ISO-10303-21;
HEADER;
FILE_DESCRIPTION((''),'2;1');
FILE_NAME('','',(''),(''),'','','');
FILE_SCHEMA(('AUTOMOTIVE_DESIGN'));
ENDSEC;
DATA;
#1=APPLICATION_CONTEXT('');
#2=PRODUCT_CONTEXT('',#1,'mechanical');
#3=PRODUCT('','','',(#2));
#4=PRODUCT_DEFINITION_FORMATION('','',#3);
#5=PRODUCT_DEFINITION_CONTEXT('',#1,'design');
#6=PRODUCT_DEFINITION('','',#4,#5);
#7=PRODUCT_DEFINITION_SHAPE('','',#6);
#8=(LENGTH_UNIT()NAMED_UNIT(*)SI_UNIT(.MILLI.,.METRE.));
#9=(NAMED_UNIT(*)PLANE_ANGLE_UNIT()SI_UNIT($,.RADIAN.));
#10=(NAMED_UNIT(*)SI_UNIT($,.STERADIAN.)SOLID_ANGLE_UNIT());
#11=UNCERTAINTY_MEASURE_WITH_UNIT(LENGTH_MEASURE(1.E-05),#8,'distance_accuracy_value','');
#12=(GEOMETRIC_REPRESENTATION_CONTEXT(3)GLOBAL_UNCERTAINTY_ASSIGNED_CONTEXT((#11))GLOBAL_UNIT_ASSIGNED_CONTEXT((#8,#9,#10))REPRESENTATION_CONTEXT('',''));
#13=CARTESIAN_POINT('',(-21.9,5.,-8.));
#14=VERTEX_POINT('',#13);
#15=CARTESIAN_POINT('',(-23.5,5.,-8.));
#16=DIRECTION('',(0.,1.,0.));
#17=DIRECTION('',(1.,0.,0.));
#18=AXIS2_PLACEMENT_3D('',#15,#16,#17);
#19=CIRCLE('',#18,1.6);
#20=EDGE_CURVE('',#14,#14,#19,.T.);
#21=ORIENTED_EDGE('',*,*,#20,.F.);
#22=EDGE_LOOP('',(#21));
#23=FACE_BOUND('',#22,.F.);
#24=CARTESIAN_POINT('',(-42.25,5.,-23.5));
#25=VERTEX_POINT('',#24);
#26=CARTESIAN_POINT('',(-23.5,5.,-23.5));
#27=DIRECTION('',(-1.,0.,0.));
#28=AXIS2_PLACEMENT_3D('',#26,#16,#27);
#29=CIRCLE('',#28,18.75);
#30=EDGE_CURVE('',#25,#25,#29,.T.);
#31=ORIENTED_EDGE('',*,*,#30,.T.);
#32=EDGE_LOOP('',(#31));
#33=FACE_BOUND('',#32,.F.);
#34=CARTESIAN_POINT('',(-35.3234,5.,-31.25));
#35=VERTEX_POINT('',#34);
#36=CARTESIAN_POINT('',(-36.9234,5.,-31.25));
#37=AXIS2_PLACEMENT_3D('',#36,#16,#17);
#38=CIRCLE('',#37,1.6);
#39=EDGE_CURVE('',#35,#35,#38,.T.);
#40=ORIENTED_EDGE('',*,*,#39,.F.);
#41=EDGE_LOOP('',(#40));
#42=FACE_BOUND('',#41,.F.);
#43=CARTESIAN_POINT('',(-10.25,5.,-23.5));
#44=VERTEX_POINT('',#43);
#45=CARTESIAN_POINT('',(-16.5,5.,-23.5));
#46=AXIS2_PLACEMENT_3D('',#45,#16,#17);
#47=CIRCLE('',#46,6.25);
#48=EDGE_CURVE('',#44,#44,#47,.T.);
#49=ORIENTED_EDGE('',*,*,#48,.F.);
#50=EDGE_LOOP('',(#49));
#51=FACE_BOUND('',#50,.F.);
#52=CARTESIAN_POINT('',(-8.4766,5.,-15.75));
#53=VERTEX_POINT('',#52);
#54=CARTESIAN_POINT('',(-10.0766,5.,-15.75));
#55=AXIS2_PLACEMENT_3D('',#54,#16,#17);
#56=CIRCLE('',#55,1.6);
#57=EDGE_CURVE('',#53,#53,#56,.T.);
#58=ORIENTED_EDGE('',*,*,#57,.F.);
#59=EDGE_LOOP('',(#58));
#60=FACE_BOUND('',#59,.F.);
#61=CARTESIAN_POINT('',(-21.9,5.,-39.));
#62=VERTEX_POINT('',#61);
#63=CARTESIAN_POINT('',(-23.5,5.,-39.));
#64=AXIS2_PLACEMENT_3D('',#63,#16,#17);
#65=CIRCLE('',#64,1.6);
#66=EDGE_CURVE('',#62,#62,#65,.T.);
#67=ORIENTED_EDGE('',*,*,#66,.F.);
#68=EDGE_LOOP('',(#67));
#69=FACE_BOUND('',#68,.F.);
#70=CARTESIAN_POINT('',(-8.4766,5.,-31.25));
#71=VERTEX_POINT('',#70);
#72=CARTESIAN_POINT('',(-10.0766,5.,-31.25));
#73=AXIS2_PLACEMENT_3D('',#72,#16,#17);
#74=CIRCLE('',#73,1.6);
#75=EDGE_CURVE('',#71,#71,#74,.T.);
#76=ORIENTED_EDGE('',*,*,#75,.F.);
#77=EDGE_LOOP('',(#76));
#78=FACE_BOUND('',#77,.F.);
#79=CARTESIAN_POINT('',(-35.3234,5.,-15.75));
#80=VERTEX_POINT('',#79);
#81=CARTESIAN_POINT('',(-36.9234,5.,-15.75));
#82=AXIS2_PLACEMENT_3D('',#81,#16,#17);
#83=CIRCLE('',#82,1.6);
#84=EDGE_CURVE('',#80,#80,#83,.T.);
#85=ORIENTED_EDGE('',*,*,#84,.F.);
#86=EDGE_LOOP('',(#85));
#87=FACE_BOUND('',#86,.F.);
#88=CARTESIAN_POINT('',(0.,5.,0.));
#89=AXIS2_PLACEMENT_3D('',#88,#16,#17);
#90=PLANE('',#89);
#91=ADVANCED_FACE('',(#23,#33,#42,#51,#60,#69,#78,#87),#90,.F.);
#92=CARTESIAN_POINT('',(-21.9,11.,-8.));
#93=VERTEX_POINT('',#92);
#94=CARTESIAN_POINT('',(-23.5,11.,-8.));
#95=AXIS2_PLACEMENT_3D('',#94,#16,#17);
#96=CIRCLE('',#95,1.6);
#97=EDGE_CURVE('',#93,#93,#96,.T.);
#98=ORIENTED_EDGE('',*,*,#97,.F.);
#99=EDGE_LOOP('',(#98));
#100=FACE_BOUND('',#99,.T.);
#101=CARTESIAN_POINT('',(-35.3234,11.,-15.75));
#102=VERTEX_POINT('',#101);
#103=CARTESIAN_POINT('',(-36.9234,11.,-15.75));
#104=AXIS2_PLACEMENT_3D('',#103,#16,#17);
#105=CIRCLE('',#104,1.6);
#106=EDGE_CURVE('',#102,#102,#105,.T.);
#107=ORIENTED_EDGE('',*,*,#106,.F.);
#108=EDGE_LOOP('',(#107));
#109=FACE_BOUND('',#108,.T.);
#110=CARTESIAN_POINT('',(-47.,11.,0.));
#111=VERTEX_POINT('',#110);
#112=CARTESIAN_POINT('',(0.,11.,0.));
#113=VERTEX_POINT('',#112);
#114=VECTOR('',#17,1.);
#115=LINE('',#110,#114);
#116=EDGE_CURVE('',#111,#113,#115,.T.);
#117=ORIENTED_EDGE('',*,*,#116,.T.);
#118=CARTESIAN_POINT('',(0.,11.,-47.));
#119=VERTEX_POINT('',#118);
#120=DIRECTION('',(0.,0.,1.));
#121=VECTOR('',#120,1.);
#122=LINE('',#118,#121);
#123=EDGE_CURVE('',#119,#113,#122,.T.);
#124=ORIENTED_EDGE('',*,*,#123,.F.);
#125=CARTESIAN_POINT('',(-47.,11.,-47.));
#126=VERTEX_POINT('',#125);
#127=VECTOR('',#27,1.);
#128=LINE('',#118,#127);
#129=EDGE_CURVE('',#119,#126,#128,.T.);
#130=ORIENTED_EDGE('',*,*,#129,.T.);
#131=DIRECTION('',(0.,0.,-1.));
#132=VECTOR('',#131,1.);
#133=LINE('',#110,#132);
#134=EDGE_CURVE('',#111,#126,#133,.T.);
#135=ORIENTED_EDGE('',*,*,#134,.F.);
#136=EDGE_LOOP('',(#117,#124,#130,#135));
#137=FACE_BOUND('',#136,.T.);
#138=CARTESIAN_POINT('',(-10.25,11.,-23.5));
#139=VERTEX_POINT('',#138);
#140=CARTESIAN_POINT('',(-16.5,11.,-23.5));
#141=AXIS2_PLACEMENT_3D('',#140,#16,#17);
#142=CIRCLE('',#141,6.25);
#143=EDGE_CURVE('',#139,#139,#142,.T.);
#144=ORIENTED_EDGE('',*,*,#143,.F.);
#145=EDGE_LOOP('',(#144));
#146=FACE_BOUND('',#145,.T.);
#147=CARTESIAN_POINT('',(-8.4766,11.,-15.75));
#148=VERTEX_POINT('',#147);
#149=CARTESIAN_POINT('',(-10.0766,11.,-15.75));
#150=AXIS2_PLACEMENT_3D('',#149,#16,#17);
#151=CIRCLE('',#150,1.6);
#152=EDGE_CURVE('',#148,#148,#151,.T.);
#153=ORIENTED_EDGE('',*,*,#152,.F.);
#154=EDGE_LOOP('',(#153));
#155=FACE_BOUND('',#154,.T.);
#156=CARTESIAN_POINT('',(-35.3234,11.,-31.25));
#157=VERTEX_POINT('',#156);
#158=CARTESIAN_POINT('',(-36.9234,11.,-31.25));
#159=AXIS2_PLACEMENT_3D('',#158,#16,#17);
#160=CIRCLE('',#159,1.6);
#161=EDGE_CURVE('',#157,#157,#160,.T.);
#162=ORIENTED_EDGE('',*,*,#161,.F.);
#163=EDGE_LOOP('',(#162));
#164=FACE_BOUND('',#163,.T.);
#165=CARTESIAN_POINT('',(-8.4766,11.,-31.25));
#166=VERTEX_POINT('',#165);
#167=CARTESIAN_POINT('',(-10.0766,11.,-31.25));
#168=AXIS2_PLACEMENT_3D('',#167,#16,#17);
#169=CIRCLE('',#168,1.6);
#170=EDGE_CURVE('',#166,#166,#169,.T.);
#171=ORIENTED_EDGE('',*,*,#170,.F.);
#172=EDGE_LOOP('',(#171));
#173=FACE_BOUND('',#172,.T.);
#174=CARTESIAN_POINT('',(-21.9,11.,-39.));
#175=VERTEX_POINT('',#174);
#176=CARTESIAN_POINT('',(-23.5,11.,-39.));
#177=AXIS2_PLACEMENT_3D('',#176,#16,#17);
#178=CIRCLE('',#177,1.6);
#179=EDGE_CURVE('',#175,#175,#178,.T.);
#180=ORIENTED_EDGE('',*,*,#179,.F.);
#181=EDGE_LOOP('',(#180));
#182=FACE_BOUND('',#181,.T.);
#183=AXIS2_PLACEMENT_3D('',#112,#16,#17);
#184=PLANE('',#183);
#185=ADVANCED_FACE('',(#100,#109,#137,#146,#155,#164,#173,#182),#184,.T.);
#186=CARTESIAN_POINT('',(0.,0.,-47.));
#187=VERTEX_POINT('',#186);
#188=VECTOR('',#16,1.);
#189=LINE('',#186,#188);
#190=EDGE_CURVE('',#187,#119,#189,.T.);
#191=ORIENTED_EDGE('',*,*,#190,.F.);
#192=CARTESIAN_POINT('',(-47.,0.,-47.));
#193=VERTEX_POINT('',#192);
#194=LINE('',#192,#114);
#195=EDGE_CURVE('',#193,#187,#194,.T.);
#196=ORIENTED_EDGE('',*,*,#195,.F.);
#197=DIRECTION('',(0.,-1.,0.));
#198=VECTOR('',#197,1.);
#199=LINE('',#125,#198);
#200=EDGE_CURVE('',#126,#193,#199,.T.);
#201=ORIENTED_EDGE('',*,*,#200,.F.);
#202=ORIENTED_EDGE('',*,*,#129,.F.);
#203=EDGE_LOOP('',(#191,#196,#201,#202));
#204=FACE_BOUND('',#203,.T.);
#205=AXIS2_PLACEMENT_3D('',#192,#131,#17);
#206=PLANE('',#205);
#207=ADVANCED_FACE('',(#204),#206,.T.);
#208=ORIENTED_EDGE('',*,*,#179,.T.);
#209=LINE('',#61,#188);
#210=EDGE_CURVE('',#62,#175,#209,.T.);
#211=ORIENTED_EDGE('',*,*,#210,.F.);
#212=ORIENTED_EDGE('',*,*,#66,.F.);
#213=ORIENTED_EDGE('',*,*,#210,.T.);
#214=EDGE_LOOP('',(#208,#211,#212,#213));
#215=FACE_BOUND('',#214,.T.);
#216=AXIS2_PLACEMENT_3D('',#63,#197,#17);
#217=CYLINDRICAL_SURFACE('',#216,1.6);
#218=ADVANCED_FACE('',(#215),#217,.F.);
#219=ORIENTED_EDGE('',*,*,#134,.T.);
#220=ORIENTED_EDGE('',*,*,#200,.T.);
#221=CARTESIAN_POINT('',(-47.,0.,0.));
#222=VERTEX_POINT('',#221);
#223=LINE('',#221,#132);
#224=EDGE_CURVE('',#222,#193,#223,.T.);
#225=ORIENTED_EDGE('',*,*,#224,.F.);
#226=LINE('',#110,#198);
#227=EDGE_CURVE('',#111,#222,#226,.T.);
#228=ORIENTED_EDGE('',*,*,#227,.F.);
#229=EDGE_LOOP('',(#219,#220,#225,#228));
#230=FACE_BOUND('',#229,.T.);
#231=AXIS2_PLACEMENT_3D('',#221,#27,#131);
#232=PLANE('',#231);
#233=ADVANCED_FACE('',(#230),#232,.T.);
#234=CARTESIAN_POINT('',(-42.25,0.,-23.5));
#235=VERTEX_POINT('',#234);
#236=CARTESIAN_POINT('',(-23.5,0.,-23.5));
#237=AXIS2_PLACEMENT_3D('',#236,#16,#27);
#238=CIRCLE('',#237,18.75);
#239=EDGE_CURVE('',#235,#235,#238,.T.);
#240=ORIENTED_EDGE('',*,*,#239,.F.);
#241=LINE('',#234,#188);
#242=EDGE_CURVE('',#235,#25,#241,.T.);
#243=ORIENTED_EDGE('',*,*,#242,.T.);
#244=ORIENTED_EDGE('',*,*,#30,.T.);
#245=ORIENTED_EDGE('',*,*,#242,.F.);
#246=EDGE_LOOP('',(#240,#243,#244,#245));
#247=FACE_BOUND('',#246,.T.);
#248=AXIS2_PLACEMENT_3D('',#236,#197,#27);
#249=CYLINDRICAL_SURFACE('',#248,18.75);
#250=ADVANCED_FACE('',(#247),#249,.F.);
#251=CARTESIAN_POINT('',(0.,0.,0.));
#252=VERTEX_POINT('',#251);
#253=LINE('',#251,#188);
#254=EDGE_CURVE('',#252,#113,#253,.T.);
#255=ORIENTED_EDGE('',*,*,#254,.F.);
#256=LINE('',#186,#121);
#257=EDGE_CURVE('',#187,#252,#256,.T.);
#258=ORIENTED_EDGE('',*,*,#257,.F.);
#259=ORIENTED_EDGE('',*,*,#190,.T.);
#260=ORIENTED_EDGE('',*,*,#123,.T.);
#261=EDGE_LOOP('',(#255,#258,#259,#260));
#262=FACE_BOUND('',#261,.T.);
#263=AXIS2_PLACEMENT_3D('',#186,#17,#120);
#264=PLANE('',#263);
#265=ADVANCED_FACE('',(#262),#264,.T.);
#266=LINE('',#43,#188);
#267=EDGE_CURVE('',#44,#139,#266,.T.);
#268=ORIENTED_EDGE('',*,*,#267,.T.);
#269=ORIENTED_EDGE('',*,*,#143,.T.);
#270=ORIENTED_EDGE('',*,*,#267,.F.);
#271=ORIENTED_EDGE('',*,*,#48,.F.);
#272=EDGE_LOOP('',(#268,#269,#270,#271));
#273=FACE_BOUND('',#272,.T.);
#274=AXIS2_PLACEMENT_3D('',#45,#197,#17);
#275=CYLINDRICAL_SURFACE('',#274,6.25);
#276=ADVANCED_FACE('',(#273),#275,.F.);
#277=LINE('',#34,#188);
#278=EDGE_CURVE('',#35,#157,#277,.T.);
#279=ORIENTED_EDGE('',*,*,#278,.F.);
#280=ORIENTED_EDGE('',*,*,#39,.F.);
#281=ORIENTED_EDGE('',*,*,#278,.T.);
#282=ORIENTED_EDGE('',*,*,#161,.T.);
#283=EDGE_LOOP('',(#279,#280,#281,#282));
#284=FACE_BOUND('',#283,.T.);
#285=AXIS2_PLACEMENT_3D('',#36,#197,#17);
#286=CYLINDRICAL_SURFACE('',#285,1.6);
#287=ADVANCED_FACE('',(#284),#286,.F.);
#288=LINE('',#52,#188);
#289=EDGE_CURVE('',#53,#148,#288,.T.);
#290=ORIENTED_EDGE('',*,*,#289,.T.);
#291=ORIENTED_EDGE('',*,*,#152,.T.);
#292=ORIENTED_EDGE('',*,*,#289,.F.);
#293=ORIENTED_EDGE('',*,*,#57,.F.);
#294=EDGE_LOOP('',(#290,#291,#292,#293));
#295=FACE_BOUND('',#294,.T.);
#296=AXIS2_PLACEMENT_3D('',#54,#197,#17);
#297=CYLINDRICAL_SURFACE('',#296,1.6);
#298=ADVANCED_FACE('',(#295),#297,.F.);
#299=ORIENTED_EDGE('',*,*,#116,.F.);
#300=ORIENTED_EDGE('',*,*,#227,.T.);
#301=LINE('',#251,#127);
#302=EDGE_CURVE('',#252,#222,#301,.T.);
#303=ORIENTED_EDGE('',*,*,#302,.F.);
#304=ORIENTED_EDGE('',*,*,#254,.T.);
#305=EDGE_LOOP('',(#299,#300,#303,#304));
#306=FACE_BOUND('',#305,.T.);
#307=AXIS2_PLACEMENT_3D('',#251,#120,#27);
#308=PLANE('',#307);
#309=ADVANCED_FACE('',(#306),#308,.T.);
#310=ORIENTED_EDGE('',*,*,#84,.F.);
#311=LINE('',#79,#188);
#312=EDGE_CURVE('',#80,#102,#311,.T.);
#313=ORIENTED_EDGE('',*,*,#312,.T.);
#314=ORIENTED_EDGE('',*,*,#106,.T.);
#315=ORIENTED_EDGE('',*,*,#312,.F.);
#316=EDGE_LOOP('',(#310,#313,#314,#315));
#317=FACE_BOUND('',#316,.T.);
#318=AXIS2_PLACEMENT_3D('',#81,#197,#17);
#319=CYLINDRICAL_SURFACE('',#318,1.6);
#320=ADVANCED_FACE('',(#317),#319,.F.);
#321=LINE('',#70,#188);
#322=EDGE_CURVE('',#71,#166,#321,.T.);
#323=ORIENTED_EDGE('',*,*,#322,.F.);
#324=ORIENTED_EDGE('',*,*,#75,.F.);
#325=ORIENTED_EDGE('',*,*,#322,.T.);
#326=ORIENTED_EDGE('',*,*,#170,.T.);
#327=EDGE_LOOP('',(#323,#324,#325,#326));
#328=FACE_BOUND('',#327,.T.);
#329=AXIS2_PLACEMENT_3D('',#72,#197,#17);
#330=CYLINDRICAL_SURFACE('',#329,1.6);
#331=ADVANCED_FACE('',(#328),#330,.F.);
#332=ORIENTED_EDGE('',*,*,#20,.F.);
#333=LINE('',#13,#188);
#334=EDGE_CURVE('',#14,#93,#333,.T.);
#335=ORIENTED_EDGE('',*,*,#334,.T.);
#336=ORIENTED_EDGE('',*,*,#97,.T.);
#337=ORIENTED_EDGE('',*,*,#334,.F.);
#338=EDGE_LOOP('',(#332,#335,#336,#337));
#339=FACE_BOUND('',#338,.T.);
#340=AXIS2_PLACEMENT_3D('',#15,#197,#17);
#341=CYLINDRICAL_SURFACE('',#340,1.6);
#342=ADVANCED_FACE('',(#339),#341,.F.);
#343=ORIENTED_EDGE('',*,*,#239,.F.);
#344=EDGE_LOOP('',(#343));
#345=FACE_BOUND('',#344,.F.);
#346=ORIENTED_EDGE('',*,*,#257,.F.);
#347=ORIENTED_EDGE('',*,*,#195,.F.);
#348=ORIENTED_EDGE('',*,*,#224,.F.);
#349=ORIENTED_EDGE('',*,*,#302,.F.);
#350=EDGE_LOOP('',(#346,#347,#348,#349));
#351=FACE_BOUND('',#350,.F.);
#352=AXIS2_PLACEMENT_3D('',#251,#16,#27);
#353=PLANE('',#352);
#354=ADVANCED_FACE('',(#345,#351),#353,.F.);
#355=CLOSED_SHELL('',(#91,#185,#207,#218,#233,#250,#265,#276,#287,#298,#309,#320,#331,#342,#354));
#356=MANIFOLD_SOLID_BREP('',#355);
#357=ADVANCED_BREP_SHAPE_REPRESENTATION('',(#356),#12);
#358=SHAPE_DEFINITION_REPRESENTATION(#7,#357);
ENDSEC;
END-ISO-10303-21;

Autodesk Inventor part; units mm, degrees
ref_plane "YZ Plane" through (0, 0, 0) normal (1, 0, 0) x (0, 1, 0)
ref_plane "XZ Plane" through (0, 0, 0) normal (0, 1, 0) x (-1, 0, 0)
ref_plane "XY Plane" through (0, 0, 0) normal (0, 0, 1) x (1, 0, 0)
sketch "Sketch1" plane through (0, 0, 0) normal (0, 1, 0) x (-1, 0, 0)
  line L0 (0, 0) -> (47, 0)
  line L1 (47, 0) -> (47, -47)
  line L2 (47, -47) -> (0, -47)
  line L3 (0, -47) -> (0, 0)
  circle A0 centre (23.5, -23.5) radius 18.75
  dimension "width" = 47
  dimension "height" = 47
  dimension "d2" = 37.5
  dimension "d3" = 23.5
  dimension "d4" = 23.5
extrude "Extrusion1" add sketch "Sketch1" along normal blind 5
sketch "Sketch2" plane through (0, 5, 0) normal (0, 1, 0) x (1, 0, 0)
  line L0 (-47, 0) -> (0, 0) projected
  line L1 (0, 47) -> (-47, 47) projected
  line L2 (0, 0) -> (-47, 0)
  line L3 (-47, 0) -> (-47, 47)
  line L4 (-47, 47) -> (0, 47)
  line L5 (0, 47) -> (0, 0)
  circle A0 centre (-23.5, 8) radius 1.6
  line L6 (-47, 47) -> (-47, 0) projected
  line L7 (0, 0) -> (0, 47) projected
  circle A1 centre (-10.0766, 15.75) radius 1.6
  circle A2 centre (-10.0766, 31.25) radius 1.6
  circle A3 centre (-23.5, 39) radius 1.6
  circle A4 centre (-36.9234, 31.25) radius 1.6
  circle A5 centre (-36.9234, 15.75) radius 1.6
  circle A6 centre (-16.5, 23.5) radius 6.25
  point P0 (-23.5, 23.5)
  dimension "d10" = 3.2
  dimension "d11" = 23.5
  dimension "d13" = 15.5
  dimension "d16" = 360
  dimension "d18" = 12.5
  dimension "d19" = 7
  dimension "d20" = 23.5
  dimension "d21" = 23.5
  dimension "d22" = 23.5
extrude "Extrusion2" add sketch "Sketch2" along normal blind 6
equation "\"d3\" = 0.5 * height"
equation "\"d4\" = 0.5 * width"
equation "\"d11\" = 0.5 * height"
properties part number "motorHolder57mm"
